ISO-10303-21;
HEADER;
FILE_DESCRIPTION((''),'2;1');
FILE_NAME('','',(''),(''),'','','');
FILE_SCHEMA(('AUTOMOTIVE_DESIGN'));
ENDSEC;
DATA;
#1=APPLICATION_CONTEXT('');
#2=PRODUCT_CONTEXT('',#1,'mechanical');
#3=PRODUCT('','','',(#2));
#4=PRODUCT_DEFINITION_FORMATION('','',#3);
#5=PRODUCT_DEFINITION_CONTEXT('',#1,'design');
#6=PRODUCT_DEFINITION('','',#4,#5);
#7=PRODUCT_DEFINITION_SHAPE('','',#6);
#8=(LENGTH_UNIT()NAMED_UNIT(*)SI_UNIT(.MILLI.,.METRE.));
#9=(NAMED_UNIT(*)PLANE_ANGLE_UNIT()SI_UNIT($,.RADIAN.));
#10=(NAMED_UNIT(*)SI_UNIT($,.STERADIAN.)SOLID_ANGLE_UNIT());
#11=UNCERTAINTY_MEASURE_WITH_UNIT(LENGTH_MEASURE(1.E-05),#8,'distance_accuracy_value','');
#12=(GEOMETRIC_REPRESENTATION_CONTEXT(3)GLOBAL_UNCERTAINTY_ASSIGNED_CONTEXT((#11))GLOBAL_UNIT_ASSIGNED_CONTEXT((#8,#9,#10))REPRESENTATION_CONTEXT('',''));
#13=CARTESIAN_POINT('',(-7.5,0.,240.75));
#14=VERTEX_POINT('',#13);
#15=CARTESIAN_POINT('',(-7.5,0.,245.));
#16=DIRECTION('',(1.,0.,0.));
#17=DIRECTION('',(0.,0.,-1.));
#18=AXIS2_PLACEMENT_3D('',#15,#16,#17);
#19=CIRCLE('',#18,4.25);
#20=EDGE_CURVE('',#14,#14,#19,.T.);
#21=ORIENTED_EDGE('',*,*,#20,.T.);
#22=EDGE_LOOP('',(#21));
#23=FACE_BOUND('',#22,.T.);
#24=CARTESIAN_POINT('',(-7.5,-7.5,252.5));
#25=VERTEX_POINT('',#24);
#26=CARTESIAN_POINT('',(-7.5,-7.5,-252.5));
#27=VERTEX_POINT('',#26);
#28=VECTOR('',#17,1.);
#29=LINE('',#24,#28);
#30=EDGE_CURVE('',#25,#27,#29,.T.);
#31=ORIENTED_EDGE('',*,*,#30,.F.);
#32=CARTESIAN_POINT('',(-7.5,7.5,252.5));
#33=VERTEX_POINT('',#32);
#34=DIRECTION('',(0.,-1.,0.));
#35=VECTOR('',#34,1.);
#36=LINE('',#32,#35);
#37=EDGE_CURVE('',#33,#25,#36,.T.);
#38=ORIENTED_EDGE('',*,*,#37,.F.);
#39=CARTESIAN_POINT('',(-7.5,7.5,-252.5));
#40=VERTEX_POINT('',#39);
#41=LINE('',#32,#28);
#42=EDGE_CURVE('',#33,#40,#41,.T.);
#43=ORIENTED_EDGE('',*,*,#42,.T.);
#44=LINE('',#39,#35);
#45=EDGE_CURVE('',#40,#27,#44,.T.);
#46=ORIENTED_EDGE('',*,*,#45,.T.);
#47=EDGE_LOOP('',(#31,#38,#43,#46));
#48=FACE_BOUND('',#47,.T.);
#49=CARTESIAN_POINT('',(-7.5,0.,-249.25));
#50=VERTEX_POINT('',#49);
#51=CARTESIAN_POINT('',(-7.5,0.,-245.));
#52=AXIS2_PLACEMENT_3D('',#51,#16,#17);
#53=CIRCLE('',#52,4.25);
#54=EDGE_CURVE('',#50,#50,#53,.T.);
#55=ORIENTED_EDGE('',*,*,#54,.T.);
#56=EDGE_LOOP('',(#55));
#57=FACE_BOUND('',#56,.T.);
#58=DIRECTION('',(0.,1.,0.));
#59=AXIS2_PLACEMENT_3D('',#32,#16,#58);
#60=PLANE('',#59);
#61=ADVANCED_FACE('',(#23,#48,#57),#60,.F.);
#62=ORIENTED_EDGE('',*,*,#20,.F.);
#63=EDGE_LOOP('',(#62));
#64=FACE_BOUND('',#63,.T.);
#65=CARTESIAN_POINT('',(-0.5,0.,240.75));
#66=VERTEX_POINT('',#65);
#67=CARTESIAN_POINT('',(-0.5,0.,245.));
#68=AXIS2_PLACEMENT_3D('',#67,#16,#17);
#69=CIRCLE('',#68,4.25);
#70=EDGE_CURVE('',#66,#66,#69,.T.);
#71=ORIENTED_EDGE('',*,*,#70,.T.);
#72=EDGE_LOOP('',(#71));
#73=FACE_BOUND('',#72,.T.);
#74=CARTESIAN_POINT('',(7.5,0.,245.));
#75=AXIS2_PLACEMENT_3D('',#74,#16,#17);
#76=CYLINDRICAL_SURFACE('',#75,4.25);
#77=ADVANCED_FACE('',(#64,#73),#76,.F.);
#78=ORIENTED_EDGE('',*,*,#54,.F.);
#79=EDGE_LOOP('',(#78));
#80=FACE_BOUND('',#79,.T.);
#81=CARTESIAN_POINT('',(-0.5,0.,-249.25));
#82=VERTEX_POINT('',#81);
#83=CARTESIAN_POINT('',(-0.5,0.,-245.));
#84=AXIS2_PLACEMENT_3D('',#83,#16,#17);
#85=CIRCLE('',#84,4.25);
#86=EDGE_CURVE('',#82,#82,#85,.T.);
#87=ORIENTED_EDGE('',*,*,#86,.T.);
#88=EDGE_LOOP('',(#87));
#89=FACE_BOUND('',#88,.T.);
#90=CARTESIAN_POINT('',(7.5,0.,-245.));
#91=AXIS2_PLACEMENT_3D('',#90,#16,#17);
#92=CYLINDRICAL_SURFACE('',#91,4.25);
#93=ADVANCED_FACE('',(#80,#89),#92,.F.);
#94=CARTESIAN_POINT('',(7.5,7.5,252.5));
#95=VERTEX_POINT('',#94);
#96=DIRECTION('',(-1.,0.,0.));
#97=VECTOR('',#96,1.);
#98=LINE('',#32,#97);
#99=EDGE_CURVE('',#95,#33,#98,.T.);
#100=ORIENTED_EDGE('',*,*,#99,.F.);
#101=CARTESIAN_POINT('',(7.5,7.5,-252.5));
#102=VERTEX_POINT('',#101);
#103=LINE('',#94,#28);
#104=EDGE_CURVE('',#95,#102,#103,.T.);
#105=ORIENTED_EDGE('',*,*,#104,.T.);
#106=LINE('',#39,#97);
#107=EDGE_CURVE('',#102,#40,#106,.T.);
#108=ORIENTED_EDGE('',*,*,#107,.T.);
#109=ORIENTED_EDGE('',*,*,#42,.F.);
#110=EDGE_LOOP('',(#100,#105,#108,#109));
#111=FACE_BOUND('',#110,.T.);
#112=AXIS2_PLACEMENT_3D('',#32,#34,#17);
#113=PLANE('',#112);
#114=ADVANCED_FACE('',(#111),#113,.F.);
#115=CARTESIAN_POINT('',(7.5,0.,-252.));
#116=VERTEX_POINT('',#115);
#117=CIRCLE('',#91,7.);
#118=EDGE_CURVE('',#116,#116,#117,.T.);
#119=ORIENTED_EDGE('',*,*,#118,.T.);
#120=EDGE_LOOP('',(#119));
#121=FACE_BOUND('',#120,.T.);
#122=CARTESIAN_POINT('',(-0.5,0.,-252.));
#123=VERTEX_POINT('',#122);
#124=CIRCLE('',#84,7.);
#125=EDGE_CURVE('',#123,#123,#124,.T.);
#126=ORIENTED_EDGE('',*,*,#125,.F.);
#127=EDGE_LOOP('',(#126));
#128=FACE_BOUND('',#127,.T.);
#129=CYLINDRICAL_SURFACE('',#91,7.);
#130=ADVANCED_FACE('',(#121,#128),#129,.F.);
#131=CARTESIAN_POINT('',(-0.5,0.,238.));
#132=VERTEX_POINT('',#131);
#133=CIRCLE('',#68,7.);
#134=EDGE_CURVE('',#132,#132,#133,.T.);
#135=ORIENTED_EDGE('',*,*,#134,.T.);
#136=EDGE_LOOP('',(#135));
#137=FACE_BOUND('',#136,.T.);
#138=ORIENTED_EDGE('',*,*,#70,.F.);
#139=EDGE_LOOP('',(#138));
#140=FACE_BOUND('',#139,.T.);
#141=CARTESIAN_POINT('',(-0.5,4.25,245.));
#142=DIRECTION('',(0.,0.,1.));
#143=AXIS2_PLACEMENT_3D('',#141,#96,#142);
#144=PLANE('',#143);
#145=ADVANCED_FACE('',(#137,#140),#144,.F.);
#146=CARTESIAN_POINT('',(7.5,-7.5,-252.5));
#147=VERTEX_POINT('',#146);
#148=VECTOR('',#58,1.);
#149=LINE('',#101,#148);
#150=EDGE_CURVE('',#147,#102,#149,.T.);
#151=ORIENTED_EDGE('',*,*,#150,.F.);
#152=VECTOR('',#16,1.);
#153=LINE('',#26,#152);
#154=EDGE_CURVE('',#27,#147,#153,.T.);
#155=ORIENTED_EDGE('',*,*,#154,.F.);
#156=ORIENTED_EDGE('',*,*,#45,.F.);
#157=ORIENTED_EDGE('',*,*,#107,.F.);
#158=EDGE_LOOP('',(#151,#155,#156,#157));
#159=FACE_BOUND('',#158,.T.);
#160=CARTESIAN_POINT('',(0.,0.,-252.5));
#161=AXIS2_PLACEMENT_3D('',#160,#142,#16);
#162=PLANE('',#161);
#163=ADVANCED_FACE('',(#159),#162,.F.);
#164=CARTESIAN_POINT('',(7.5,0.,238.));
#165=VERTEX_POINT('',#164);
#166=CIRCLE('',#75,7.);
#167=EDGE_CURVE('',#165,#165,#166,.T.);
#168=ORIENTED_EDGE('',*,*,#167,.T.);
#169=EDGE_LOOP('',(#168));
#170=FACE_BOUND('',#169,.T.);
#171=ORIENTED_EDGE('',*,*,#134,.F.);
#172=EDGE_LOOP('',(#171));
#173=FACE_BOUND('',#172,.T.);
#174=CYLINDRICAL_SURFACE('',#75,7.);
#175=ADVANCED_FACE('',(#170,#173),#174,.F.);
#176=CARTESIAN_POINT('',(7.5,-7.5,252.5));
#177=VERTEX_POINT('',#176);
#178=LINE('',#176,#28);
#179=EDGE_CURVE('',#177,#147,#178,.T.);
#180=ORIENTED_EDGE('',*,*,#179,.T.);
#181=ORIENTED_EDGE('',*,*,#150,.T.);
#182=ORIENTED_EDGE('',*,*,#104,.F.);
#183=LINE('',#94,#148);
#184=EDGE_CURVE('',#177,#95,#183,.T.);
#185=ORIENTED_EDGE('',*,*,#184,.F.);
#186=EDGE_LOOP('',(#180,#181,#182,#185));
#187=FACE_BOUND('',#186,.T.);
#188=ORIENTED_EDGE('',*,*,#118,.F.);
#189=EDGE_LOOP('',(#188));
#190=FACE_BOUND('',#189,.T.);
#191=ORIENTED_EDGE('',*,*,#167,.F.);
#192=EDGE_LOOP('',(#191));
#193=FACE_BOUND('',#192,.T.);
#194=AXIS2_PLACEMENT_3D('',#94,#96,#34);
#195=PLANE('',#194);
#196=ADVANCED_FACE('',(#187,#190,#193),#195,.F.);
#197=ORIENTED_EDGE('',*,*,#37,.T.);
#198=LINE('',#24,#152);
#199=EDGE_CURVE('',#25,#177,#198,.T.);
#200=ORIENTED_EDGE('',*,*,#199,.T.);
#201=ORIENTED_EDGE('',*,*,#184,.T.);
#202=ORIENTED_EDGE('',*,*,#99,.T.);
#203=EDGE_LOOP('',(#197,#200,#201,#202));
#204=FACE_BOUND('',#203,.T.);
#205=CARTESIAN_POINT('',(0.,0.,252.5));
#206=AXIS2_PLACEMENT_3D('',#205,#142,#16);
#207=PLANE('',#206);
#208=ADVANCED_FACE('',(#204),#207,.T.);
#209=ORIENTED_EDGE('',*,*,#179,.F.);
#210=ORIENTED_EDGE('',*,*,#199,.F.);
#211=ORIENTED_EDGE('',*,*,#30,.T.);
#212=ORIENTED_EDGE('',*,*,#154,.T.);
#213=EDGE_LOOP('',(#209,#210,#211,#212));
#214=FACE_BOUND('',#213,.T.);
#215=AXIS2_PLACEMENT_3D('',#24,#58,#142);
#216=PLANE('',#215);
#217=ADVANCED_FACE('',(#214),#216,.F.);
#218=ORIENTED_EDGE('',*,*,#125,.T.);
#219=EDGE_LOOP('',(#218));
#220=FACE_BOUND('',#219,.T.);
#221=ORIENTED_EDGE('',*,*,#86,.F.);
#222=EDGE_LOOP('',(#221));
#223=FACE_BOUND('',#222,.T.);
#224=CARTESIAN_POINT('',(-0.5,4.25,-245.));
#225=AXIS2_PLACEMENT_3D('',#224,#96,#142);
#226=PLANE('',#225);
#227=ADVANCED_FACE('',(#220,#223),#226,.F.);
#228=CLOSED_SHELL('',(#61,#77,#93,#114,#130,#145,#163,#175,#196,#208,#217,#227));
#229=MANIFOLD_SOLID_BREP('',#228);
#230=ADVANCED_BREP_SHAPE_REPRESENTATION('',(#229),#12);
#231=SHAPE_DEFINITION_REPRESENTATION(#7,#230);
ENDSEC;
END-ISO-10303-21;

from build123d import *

# Parameters (mm, degrees)
IZIM1_W                     = 15
IZIM1_H                     = 15
Y_KSEKLIK_EKSTR_ZYON1_DEPTH = 252.5
DELIK2_D                    = 8.5
DELIK2_DEPTH                = 15
DELIK2_CBORE_D              = 14
DELIK2_CBORE_DEPTH          = 8


with BuildPart() as part:
    # Çizim1 → Yükseklik-Ekstrüzyon1 (new body, symmetric)
    with BuildSketch(Plane.XY):
        Rectangle(IZIM1_W, IZIM1_H)
    extrude(amount=Y_KSEKLIK_EKSTR_ZYON1_DEPTH, both=True)

    # Delik2
    with Locations(Plane(origin=(7.5, 0, 0), x_dir=(0, 0, -1), z_dir=(1, 0, 0))):
        with Locations((245, 0)):
            delik2 = CounterBoreHole(DELIK2_D / 2, DELIK2_CBORE_D / 2, DELIK2_CBORE_DEPTH, depth=DELIK2_DEPTH)

    # Aynalama1: Delik2 across plane
    add(delik2.mirror(Plane.XY), mode=Mode.SUBTRACT)


solid = part.part
